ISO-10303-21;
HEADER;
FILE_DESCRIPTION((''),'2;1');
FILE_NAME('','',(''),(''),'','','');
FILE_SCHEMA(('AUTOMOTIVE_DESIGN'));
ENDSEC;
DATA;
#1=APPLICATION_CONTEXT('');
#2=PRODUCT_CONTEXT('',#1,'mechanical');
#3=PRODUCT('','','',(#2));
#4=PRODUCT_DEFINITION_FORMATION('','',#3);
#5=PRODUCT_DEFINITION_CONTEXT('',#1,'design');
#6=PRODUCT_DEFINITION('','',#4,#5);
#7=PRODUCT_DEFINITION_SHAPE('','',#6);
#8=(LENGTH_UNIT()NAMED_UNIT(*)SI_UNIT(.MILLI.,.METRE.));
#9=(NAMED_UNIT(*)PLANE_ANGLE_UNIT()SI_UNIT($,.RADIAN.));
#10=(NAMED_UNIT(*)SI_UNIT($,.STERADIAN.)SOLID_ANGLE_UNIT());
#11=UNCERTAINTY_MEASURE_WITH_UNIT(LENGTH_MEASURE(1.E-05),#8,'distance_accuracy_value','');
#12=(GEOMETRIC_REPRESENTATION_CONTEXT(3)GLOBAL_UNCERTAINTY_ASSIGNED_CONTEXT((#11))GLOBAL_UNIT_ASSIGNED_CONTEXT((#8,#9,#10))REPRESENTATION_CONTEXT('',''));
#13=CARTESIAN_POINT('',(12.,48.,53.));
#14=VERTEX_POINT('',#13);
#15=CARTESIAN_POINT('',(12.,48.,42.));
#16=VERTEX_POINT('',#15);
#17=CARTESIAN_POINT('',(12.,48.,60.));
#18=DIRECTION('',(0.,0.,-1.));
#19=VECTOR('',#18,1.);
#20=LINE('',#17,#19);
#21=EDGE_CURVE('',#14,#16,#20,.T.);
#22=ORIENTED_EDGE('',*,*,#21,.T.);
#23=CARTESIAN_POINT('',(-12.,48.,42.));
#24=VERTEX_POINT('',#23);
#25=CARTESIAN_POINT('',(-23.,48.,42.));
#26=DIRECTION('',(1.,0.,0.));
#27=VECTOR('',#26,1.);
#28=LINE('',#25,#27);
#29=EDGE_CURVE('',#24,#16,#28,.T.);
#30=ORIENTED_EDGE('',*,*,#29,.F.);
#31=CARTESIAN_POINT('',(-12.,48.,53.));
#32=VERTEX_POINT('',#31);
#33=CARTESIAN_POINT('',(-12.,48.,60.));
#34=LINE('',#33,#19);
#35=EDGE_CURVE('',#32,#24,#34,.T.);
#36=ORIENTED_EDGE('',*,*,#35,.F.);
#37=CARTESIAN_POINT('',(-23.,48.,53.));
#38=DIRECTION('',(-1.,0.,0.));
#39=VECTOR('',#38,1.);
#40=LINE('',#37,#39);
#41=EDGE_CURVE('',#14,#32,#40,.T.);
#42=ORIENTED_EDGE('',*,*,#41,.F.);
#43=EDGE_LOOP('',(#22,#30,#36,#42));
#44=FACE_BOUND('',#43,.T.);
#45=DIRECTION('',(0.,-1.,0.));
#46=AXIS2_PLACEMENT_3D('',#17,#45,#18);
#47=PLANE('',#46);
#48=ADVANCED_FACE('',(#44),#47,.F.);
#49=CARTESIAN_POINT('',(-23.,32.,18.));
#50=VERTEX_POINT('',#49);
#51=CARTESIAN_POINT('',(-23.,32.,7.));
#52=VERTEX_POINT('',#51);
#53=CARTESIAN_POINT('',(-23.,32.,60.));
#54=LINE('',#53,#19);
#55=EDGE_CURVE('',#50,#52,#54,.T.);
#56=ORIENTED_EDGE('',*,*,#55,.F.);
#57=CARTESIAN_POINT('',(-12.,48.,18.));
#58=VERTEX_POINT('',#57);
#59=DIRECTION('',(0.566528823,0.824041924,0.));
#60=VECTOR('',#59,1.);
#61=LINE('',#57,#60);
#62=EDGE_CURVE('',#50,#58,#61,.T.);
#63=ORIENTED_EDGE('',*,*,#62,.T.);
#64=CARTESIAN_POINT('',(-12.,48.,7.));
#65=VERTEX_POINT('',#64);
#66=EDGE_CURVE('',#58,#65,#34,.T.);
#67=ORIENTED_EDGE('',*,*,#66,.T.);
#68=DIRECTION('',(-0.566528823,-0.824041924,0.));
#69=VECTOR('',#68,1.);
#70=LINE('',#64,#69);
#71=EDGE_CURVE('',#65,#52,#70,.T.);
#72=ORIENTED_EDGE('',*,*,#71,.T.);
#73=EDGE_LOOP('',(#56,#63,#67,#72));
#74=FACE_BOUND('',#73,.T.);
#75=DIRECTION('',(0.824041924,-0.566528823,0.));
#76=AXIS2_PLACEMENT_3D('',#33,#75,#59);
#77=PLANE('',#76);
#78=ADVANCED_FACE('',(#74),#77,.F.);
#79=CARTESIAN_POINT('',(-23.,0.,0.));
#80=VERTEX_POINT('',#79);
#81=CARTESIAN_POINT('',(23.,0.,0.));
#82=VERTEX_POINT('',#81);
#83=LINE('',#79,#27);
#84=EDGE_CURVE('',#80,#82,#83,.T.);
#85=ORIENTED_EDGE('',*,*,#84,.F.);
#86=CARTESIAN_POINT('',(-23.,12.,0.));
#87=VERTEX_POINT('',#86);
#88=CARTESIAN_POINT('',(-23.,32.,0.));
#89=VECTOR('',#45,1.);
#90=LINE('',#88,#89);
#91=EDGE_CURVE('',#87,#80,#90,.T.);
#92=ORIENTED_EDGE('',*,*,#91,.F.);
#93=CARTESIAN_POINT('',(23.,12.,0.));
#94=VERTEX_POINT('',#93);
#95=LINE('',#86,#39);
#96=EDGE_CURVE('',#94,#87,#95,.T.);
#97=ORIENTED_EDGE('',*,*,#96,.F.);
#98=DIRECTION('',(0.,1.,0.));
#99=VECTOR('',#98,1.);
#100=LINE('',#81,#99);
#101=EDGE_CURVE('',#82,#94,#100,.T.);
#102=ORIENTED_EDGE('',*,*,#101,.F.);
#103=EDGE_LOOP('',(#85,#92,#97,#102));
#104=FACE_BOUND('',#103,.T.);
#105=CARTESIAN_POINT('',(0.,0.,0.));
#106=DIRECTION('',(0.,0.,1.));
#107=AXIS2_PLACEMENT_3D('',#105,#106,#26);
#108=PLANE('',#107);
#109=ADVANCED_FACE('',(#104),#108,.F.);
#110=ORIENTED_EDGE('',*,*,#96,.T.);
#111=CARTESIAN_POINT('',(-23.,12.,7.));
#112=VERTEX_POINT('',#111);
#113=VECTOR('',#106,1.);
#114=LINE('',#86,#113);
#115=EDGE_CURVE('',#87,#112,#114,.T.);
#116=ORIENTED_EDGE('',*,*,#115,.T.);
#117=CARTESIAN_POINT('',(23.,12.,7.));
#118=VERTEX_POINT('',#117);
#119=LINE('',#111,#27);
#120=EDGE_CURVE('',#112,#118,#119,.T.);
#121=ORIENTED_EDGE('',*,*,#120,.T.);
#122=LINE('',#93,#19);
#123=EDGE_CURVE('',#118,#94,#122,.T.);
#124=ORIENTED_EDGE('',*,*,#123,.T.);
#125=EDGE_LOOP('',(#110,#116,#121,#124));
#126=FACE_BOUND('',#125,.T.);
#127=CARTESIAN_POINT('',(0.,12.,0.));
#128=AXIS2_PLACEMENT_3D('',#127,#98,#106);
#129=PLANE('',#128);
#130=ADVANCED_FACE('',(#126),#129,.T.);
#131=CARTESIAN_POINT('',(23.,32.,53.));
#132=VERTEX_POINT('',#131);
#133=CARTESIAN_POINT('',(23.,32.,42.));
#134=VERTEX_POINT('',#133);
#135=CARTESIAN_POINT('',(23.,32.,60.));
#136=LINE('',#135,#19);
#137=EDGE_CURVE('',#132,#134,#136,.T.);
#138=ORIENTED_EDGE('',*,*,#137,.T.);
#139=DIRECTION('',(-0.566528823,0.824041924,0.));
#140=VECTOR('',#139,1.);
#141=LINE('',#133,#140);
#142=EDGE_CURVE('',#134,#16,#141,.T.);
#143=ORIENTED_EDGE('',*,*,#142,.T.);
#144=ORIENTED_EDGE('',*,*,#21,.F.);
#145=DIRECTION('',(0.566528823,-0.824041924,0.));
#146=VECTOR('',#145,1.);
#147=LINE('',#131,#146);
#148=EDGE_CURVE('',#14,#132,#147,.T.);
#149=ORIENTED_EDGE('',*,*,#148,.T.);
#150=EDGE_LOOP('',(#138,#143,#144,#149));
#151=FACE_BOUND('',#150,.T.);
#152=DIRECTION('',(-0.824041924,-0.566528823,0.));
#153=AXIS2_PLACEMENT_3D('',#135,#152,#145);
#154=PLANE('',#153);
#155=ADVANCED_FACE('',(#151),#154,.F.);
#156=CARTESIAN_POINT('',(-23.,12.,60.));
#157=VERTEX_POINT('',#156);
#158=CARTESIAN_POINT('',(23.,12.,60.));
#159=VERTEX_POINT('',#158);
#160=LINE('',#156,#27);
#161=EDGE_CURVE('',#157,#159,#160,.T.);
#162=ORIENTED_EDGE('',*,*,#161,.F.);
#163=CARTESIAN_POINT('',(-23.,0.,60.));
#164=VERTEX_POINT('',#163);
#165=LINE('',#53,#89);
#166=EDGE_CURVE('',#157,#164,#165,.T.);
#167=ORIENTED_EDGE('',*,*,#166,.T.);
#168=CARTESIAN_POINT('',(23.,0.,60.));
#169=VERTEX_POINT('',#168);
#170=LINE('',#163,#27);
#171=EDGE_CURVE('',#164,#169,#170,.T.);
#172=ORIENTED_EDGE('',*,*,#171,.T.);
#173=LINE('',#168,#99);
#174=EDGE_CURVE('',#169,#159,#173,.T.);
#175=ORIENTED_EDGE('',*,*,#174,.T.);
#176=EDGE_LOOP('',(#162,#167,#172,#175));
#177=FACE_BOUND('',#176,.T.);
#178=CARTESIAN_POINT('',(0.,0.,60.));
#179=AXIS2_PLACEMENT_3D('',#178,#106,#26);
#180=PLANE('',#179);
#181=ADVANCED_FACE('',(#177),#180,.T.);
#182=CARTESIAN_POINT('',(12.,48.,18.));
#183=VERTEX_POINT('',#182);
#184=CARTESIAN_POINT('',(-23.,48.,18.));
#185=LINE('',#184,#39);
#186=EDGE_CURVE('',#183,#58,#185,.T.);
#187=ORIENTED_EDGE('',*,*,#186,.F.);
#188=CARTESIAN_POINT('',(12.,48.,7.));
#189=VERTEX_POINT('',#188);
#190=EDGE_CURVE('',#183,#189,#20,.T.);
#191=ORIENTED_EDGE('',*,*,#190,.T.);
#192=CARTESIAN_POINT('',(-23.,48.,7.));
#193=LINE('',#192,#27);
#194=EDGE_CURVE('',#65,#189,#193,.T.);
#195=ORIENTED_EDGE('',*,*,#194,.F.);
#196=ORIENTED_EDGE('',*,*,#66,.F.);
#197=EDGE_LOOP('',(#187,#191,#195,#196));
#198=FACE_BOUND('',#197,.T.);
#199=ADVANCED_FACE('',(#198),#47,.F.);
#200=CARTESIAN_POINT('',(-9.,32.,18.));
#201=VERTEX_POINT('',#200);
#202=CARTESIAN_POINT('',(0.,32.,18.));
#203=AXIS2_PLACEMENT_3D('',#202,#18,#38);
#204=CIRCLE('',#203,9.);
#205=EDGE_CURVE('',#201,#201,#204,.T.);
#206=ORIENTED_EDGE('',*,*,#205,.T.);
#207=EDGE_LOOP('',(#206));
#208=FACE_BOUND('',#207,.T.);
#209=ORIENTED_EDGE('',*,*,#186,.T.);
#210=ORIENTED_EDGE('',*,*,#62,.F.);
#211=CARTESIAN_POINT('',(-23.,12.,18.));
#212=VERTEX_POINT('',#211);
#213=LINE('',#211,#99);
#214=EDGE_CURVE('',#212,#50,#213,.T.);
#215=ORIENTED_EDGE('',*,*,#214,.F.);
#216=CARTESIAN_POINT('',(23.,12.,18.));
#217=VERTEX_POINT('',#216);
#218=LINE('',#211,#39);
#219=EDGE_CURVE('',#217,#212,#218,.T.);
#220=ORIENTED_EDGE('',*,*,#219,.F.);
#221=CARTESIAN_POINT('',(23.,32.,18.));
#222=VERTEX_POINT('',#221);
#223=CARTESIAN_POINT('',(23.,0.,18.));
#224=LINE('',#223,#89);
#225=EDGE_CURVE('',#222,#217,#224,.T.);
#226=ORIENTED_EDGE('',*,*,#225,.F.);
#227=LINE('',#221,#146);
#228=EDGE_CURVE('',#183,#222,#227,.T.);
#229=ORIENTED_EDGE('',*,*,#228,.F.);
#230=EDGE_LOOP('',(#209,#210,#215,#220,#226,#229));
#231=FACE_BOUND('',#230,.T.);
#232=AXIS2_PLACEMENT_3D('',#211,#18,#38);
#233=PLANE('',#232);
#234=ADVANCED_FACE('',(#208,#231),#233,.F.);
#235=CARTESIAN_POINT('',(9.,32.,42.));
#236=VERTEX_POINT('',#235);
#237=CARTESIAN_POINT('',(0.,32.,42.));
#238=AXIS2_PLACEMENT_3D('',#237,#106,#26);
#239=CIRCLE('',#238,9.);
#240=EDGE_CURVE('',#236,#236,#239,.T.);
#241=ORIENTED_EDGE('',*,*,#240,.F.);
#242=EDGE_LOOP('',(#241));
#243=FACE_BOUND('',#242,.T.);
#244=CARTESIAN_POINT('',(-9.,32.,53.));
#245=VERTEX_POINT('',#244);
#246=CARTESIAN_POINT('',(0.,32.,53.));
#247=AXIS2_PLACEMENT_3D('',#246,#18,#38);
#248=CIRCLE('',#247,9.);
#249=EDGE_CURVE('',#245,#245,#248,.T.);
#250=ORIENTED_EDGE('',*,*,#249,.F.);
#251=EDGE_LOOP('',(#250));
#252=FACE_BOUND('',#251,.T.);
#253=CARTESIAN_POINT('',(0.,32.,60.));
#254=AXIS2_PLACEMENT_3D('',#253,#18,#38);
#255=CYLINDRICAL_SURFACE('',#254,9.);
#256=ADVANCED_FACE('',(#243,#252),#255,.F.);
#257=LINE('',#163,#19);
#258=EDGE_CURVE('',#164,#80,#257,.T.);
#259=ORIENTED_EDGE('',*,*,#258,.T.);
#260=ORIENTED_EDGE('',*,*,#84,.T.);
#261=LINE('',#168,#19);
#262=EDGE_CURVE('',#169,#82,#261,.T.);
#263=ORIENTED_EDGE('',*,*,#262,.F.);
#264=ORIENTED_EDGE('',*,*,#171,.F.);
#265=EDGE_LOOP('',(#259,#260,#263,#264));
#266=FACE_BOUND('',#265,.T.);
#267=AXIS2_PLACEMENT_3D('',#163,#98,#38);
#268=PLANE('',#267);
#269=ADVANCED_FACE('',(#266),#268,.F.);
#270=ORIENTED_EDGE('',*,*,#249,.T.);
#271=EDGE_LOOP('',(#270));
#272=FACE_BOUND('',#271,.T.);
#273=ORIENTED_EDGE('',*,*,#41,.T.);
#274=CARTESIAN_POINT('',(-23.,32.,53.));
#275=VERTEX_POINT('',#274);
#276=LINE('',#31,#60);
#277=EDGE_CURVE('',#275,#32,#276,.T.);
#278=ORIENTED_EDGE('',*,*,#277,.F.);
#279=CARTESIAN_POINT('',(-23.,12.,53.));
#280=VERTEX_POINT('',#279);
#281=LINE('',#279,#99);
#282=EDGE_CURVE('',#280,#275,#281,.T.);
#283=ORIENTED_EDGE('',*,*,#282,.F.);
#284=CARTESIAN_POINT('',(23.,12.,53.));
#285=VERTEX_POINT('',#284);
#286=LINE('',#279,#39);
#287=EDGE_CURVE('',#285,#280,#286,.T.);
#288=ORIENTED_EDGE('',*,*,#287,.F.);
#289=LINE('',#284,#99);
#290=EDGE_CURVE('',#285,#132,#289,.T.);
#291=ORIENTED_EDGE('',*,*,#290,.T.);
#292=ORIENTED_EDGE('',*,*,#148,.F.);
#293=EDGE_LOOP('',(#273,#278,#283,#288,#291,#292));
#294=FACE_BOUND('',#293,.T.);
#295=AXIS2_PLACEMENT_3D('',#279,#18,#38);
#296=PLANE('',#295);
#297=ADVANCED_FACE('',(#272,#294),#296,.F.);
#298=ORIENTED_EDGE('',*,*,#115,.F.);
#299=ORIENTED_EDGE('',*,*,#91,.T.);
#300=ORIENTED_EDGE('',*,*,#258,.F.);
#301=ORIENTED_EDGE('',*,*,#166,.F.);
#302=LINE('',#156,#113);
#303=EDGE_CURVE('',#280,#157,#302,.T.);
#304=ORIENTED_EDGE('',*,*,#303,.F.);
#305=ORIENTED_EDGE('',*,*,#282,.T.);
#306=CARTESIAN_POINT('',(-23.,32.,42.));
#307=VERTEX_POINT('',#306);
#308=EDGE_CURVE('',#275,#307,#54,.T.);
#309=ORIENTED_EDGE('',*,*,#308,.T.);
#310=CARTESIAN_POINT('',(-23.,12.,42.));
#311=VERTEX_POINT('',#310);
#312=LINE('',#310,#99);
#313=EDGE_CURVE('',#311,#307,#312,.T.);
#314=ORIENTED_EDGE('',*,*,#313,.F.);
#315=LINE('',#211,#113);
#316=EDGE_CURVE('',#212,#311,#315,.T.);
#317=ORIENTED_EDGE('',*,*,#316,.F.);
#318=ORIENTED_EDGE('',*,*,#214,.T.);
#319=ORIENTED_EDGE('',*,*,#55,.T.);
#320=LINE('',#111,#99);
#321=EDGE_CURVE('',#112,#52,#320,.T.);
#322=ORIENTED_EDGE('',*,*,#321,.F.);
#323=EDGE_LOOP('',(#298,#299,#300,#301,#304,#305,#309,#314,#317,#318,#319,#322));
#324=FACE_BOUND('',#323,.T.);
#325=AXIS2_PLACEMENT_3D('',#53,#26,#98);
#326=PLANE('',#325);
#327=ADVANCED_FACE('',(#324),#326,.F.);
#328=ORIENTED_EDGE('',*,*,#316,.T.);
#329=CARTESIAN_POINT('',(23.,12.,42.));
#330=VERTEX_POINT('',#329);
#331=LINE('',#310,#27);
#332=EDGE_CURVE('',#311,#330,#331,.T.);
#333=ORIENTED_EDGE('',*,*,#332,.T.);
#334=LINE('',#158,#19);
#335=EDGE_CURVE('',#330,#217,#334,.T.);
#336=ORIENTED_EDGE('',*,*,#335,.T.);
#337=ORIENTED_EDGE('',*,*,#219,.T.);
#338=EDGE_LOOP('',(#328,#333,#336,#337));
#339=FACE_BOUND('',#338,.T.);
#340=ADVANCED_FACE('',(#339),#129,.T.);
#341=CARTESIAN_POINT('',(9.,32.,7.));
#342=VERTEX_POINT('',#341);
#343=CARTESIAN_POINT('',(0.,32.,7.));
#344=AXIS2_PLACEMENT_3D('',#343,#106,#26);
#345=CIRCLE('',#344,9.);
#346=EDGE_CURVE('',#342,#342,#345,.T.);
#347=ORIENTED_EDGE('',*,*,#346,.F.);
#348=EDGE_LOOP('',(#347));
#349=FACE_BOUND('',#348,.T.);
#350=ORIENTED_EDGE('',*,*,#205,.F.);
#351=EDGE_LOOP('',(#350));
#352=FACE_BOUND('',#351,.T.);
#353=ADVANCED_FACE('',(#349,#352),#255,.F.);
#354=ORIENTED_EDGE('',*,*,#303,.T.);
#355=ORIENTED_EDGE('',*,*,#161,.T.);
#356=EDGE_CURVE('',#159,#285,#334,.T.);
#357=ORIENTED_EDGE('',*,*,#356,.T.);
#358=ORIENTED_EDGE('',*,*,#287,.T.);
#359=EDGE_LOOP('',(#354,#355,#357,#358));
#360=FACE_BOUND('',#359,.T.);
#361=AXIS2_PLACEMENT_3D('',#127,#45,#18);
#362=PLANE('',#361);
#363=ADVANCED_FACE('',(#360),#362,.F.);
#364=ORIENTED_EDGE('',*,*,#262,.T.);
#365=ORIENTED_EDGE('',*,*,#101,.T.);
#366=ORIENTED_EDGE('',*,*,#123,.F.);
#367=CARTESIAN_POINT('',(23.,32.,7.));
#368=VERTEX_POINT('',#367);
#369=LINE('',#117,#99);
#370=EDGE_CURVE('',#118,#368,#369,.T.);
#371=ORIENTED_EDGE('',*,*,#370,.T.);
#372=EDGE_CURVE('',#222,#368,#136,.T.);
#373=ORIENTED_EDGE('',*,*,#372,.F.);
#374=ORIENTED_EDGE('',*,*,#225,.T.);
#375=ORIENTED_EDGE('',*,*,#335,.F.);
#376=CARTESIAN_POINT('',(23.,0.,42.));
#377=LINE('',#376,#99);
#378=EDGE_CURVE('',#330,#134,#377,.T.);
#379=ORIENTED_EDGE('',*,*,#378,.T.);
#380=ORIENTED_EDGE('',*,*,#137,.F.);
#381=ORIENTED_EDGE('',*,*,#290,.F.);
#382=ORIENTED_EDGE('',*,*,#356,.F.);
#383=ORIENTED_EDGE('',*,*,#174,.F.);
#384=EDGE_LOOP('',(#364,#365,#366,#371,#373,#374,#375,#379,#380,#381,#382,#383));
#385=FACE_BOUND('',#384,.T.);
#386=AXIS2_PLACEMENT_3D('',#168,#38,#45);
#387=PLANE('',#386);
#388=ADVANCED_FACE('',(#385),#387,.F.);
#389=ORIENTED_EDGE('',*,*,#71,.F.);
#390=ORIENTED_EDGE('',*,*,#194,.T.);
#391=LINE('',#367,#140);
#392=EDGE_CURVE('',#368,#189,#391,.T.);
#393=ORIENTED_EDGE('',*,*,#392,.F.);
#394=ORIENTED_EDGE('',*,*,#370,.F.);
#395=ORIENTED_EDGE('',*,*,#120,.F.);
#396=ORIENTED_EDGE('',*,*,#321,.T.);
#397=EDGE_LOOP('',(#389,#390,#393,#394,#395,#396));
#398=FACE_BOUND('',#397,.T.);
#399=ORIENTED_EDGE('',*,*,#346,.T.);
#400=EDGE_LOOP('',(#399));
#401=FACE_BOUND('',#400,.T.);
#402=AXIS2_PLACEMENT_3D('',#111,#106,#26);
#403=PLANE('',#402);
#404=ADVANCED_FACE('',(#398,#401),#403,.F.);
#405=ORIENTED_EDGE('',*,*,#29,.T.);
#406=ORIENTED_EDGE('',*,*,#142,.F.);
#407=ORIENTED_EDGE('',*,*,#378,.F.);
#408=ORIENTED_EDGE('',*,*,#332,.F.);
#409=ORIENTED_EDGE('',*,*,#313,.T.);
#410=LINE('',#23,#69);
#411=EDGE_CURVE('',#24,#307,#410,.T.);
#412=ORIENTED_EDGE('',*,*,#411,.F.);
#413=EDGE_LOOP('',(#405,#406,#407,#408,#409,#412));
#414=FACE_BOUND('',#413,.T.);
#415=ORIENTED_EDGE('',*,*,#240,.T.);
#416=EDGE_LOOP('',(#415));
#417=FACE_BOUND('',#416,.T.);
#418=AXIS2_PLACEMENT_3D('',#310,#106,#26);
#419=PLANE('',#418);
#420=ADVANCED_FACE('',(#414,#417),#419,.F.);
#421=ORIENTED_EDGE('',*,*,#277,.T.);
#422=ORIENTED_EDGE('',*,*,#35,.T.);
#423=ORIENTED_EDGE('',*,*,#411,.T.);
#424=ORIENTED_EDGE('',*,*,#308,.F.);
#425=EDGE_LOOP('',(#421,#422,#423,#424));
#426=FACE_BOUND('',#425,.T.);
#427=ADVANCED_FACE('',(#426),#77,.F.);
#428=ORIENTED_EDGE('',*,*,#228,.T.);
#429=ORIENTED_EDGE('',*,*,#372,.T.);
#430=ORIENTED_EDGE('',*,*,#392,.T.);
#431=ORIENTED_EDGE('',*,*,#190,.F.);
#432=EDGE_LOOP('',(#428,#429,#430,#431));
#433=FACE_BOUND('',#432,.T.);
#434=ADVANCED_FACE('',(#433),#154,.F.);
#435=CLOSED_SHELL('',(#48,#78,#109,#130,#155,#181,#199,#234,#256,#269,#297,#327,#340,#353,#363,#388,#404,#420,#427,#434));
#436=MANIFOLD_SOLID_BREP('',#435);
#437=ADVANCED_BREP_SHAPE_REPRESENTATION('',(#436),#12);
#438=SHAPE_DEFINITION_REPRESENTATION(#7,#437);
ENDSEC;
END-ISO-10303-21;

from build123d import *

# Parameters (mm, degrees)
CROQUIS2_R              = 9
SALIENTE_EXTRUIR2_DEPTH = 60
CROQUIS3_W              = 46
CROQUIS3_H              = 7
CORTAR_EXTRUIR2_DEPTH   = 36
CROQUIS4_W              = 63.672902111
CROQUIS4_H              = 24
CORTAR_EXTRUIR3_DEPTH   = 36


with BuildPart() as part:
    # Croquis2 → Saliente-Extruir2 (new body)
    with BuildSketch(Plane.XY):
        Polygon((-23, 0), (23, 0), (23, 32), (12, 48), (-12, 48), (-23, 32), align=None)
        with Locations((0, 32)):
            Circle(CROQUIS2_R, mode=Mode.SUBTRACT)
    extrude(amount=SALIENTE_EXTRUIR2_DEPTH)

    # Croquis3 → Cortar-Extruir2 (cut)
    with BuildSketch(Plane(origin=(0, 48, 0), x_dir=(1, 0, 0), z_dir=(0, 1, 0))):
        with Locations((0, -3.5)):
            Rectangle(CROQUIS3_W, CROQUIS3_H)
        with Locations((0, -56.5)):
            Rectangle(CROQUIS3_W, CROQUIS3_H)
    extrude(amount=-CORTAR_EXTRUIR2_DEPTH, mode=Mode.SUBTRACT)

    # Croquis4 → Cortar-Extruir3 (cut)
    with BuildSketch(Plane(origin=(0, 48, 0), x_dir=(1, 0, 0), z_dir=(0, 1, 0))):
        with Locations((8.836451055, -30)):
            Rectangle(CROQUIS4_W, CROQUIS4_H)
    extrude(amount=-CORTAR_EXTRUIR3_DEPTH, mode=Mode.SUBTRACT)


solid = part.part
